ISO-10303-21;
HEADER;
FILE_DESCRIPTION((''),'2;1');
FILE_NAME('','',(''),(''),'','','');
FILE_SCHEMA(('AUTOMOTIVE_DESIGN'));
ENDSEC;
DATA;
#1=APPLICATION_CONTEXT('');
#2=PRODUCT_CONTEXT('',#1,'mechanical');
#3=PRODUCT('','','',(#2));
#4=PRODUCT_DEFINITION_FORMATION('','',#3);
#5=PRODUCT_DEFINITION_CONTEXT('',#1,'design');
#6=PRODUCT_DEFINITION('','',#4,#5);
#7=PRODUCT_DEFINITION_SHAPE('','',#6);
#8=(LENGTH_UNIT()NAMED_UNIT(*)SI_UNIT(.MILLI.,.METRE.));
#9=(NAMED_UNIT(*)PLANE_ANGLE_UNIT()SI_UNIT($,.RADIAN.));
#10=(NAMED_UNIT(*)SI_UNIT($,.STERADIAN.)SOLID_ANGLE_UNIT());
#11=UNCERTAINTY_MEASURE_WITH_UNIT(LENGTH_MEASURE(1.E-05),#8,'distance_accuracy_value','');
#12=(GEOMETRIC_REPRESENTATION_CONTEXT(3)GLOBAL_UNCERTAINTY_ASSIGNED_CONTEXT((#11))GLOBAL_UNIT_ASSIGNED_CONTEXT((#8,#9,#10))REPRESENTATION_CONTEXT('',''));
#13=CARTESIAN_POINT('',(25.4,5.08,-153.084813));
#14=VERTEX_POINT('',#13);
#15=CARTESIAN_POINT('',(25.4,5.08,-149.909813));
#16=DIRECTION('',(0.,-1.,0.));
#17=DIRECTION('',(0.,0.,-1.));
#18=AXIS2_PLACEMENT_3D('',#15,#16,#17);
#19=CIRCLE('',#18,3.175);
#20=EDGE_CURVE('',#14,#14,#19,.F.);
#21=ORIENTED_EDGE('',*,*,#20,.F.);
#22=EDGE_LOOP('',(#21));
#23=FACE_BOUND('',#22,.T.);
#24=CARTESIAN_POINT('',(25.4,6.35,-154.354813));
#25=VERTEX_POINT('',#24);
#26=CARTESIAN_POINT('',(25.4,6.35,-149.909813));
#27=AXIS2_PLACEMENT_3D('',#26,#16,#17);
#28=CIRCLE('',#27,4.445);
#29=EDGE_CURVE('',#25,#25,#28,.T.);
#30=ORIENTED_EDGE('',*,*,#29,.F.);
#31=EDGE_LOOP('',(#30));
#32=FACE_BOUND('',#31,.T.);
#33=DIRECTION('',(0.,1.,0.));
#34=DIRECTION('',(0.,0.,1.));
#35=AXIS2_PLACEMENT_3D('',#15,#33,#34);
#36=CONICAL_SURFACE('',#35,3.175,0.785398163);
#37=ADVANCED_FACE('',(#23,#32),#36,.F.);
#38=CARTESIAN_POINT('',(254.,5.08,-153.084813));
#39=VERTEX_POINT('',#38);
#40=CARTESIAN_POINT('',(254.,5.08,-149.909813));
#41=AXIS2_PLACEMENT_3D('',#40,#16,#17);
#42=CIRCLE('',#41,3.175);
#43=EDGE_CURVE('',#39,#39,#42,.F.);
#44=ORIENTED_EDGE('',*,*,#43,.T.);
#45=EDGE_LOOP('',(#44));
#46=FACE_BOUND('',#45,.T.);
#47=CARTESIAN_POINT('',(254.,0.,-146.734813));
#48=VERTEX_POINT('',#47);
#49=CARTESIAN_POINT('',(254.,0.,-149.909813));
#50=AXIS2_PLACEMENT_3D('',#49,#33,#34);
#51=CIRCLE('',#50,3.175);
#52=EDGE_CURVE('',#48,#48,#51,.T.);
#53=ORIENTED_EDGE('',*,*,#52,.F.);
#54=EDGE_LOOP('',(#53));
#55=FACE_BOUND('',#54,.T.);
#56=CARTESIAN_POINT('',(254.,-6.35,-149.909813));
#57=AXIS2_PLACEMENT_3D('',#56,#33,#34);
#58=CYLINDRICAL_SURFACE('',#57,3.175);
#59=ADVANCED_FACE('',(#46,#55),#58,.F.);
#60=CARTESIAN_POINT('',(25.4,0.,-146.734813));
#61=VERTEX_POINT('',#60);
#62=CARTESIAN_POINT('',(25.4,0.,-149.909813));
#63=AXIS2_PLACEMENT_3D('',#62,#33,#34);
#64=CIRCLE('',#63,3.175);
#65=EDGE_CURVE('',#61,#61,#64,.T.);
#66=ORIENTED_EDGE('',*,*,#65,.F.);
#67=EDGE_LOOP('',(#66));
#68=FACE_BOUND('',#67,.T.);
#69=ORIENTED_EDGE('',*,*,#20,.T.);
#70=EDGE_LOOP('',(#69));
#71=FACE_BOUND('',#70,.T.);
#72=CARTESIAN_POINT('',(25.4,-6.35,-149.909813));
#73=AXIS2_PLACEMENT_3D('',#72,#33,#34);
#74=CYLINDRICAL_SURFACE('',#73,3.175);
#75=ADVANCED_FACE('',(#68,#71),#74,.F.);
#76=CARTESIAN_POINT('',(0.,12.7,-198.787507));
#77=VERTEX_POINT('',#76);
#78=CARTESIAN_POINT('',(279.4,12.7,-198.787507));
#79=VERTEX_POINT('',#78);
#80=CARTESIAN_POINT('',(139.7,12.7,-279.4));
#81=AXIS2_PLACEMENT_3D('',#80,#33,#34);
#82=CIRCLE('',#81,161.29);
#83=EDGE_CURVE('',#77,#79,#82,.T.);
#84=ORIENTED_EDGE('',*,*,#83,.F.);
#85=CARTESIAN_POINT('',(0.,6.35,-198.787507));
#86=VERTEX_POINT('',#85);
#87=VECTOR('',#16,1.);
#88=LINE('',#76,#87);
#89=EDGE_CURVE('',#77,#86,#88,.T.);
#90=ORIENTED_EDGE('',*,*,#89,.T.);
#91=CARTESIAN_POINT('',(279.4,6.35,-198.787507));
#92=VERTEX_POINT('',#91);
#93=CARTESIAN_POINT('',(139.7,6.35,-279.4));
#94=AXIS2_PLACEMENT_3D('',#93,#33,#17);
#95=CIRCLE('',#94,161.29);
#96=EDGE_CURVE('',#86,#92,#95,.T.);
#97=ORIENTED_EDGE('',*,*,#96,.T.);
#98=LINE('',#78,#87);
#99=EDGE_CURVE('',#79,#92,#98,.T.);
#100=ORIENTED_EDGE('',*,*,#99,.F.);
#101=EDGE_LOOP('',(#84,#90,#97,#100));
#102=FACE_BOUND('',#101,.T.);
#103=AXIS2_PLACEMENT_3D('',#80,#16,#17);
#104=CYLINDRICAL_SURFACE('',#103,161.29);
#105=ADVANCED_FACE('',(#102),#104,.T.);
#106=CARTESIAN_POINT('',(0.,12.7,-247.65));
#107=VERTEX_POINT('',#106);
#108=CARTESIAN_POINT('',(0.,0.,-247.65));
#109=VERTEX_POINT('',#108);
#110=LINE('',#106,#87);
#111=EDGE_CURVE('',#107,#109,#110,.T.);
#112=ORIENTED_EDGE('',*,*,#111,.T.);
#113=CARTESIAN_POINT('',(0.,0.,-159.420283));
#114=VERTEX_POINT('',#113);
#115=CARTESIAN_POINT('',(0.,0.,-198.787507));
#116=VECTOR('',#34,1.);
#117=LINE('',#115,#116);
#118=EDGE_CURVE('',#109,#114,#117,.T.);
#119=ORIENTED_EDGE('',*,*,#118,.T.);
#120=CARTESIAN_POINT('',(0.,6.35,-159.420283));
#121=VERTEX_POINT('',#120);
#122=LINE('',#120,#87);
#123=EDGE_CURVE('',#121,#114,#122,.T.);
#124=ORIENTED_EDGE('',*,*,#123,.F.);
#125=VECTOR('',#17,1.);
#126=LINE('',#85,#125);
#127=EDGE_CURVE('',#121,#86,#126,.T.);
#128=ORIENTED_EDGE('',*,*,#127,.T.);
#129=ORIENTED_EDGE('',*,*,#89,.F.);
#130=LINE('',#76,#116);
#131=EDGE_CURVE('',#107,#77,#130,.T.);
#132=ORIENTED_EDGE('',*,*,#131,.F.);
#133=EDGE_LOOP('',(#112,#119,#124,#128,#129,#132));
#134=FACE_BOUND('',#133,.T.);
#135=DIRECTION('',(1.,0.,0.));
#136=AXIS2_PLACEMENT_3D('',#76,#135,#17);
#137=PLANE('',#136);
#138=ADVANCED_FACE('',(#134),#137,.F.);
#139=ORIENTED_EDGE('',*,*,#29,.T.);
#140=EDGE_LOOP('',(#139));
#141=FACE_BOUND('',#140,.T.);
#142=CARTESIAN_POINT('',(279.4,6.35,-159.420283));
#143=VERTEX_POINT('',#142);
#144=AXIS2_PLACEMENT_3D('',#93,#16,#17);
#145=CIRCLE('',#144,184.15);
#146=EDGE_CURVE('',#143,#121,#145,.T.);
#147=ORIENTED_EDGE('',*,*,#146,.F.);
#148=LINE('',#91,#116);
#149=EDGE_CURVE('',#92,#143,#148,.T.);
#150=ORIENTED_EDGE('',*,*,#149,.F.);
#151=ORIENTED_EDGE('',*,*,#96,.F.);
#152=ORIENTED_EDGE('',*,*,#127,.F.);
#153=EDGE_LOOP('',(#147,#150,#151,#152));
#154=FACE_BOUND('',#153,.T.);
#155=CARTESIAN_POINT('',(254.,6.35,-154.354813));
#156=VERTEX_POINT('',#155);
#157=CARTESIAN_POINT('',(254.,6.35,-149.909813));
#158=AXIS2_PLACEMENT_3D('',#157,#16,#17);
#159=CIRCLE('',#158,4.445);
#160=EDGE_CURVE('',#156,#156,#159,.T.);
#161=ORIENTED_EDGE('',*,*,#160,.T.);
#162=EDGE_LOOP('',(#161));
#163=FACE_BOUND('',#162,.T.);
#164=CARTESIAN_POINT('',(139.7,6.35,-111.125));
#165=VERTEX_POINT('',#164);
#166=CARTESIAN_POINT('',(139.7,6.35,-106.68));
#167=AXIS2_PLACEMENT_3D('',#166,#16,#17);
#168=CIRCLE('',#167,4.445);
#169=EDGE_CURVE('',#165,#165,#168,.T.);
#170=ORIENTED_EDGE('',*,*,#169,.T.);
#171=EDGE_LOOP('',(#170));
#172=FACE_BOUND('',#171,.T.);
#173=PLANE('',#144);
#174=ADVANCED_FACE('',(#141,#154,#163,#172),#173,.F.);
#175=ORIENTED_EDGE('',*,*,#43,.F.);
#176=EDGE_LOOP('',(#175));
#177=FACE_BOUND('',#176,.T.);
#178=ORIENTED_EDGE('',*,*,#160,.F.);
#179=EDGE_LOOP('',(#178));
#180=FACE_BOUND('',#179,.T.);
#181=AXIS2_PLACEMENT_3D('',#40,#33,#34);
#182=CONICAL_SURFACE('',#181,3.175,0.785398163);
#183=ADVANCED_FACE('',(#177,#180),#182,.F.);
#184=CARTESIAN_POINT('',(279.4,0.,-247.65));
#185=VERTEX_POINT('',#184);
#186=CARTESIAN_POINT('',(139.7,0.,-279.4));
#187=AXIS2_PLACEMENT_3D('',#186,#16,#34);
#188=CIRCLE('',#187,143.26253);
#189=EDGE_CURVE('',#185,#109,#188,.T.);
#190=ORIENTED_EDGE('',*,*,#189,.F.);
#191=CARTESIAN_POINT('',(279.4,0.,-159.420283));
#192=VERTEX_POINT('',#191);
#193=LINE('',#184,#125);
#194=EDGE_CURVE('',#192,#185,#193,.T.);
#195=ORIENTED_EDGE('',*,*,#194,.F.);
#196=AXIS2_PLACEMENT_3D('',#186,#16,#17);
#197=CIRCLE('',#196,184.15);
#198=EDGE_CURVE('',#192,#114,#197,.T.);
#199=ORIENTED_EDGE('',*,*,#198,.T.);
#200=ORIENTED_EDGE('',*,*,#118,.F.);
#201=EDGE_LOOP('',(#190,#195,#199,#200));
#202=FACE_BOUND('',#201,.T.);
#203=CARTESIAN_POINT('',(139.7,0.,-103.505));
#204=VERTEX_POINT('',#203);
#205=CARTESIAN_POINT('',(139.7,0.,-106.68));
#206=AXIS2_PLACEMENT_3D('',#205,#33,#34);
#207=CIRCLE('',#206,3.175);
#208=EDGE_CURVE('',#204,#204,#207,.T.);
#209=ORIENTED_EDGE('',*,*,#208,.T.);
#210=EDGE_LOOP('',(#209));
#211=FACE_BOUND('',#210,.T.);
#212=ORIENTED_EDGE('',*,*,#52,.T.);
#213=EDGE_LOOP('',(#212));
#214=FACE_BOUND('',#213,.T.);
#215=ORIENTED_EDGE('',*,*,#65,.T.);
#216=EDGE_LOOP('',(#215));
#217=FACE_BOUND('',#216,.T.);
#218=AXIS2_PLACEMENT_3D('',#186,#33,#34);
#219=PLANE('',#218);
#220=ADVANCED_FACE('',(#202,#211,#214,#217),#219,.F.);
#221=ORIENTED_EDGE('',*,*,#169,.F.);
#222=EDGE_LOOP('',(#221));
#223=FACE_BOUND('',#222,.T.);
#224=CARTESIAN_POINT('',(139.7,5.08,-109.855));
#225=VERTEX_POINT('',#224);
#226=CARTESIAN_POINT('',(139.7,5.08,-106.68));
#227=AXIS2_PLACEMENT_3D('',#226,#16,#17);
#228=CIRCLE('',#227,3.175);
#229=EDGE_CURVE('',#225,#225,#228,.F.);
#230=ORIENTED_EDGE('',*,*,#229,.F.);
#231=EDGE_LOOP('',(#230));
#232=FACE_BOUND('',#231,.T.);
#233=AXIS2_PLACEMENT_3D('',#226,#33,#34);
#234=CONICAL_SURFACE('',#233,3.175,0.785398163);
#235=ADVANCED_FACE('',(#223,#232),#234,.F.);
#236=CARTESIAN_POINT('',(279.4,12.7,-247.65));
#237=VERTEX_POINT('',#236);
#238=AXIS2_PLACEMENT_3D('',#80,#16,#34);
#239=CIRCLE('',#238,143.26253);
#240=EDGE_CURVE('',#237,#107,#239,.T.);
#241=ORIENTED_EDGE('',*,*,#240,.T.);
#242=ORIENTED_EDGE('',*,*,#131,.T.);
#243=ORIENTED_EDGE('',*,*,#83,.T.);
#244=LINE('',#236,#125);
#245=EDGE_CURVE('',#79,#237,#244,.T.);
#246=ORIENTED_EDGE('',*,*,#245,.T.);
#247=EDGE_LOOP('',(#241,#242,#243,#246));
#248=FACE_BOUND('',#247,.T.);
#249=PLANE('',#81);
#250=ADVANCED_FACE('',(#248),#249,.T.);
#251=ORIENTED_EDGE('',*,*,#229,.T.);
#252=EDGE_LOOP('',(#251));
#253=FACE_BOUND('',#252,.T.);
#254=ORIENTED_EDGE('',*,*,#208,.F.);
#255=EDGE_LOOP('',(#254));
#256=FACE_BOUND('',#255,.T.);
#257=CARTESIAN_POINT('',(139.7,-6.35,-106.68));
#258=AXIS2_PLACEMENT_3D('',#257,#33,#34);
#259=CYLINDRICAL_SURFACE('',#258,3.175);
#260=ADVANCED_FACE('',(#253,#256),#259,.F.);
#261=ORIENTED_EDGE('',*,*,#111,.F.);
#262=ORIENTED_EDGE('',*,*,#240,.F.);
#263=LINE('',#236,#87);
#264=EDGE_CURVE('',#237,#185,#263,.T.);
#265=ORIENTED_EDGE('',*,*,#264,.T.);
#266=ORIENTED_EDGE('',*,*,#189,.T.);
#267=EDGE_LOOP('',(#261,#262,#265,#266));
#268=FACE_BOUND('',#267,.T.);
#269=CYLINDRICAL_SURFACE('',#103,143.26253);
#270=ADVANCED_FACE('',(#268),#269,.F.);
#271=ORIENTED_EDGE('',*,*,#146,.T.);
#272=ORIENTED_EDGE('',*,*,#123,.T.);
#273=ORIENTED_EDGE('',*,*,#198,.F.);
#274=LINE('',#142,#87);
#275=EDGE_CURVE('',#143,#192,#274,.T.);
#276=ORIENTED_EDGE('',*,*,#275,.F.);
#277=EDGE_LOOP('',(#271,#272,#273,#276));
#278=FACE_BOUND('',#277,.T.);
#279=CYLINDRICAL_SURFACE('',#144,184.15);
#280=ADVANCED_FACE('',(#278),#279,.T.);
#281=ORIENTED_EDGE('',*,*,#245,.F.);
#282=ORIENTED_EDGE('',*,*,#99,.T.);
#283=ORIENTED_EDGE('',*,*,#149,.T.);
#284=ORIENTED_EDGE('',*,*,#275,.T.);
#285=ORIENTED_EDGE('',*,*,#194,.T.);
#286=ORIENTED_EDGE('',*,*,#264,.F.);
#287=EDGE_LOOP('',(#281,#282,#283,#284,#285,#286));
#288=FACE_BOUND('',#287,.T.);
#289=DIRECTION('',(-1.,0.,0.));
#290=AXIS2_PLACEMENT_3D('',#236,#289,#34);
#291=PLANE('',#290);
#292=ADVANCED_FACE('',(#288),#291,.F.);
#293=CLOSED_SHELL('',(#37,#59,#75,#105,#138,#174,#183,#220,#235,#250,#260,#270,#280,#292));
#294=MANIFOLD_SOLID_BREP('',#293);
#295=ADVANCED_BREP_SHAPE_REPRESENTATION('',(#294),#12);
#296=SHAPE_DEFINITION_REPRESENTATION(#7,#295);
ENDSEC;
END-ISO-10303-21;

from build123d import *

# Parameters (mm, degrees)
BOSS_EXTRUDE1_DEPTH = 12.7
BOSS_EXTRUDE2_DEPTH = 6.35
SKETCH3_R           = 3.175
CUT_EXTRUDE1_DEPTH  = 12.7
CHAMFER1_SIZE       = 1.27


with BuildPart() as part:
    # Sketch1 → Boss-Extrude1 (new body)
    with BuildSketch(Plane(origin=(0, 0, 0), x_dir=(1, 0, 0), z_dir=(0, 1, 0))):
        with BuildLine():
            Line((279.4, 247.65), (279.4, 198.787506551))
            ThreePointArc((279.4, 198.787506551), (139.7, 118.11), (0, 198.787506551))
            Line((0, 198.787506551), (0, 247.65))
            ThreePointArc((0, 247.65), (139.7, 136.137470007), (279.4, 247.65))
        make_face()
    extrude(amount=BOSS_EXTRUDE1_DEPTH)

    # Sketch2 → Boss-Extrude2 (add)
    with BuildSketch(Plane.XZ):
        with BuildLine():
            Line((0, -198.787506551), (0, -159.420282964))
            ThreePointArc((0, -159.420282964), (139.7, -95.25), (279.4, -159.420282964))
            Line((279.4, -159.420282964), (279.4, -198.787506551))
            ThreePointArc((279.4, -198.787506551), (139.7, -118.11), (0, -198.787506551))
        make_face()
    extrude(amount=-BOSS_EXTRUDE2_DEPTH)

    # Sketch3 → Cut-Extrude1 (cut)
    with BuildSketch(Plane(origin=(0, 6.35, 0), x_dir=(1, 0, 0), z_dir=(0, 1, 0))):
        with Locations(Location((139.7, 106.68, 0), (0, 0, 270))):
            Circle(SKETCH3_R)
        with Locations(Location((25.4, 149.909813499, 0), (0, 0, 270))):
            Circle(SKETCH3_R)
        with Locations(Location((254, 149.909813499, 0), (0, 0, 270))):
            Circle(SKETCH3_R)
    extrude(amount=-CUT_EXTRUDE1_DEPTH, mode=Mode.SUBTRACT)

    # Chamfer1
    chamfer1_edges = [part.edges().sort_by_distance(p)[0] for p in [
        (139.7, 6.35, -109.855),
        (25.4, 6.35, -153.084813499),
        (254, 6.35, -153.084813499),
    ]]
    chamfer(chamfer1_edges, length=CHAMFER1_SIZE)


solid = part.part
